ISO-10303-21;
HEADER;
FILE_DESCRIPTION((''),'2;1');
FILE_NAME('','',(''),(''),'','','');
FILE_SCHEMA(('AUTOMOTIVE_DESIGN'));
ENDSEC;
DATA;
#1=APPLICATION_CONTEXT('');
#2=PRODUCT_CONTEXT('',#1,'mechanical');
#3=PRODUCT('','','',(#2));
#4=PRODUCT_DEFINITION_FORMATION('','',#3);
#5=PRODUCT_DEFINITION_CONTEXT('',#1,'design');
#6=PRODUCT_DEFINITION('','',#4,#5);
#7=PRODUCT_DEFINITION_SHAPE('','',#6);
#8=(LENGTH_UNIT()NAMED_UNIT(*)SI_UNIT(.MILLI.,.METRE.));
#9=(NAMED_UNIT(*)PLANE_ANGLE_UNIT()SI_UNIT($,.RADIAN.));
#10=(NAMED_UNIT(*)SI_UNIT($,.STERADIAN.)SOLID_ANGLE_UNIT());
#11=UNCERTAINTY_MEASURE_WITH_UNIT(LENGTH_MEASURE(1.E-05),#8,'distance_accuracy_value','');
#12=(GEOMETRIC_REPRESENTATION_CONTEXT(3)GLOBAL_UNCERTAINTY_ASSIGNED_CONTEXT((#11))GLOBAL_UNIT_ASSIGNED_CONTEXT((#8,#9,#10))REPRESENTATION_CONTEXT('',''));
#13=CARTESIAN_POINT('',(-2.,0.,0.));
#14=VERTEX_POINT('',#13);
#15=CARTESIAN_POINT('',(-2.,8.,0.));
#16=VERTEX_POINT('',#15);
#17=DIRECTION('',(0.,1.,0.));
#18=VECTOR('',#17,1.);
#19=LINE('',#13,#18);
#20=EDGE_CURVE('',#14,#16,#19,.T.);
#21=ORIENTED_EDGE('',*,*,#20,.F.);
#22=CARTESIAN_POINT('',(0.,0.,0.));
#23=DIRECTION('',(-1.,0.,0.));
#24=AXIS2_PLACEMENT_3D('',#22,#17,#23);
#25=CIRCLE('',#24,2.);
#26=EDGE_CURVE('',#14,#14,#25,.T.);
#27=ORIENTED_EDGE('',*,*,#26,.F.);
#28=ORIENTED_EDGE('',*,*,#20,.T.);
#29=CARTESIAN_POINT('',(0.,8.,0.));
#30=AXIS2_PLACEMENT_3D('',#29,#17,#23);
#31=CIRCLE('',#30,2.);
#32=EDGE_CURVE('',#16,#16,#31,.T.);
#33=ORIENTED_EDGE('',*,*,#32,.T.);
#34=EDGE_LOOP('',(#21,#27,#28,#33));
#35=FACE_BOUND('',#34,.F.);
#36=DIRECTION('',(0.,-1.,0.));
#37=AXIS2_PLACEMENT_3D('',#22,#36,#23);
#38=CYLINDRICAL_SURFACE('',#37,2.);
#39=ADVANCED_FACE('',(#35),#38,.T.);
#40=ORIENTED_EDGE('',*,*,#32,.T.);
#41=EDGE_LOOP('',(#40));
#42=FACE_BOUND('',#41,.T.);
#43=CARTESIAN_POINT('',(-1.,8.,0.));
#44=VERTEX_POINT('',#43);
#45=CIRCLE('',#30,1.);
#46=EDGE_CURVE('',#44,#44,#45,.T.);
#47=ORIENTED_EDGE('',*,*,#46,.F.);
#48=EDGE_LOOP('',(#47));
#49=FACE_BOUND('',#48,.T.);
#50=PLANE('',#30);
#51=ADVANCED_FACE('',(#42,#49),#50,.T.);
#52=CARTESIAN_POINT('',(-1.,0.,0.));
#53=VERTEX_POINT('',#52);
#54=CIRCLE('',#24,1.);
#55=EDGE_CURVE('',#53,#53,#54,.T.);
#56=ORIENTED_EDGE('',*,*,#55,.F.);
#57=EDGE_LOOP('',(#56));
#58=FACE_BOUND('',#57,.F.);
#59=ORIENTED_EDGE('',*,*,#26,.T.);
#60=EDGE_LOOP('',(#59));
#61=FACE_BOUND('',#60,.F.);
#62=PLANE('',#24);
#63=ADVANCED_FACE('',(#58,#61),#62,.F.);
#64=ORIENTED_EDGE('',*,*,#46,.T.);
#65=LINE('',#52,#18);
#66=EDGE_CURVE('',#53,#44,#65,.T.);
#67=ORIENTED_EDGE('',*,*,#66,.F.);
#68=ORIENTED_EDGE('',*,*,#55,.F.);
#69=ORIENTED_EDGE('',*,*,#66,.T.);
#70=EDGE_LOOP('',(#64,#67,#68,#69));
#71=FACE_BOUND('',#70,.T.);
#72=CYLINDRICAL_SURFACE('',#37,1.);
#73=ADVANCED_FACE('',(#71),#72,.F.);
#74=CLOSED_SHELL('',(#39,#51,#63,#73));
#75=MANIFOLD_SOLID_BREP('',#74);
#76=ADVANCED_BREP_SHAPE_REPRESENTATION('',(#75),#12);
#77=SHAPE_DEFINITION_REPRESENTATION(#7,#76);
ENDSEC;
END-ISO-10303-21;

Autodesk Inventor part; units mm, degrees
ref_plane "YZ Plane" through (0, 0, 0) normal (1, 0, 0) x (0, 1, 0)
ref_plane "XZ Plane" through (0, 0, 0) normal (0, 1, 0) x (-1, 0, 0)
ref_plane "XY Plane" through (0, 0, 0) normal (0, 0, 1) x (1, 0, 0)
sketch "スケッチ1" plane through (0, 0, 0) normal (0, 1, 0) x (-1, 0, 0)
  circle A0 centre (0, 0) radius 2
  circle A1 centre (0, 0) radius 1
  dimension "d0" = 2
  dimension "d1" = 4
extrude "押し出し1" add sketch "スケッチ1" along normal blind 8
properties part number "Spacer_M2x8"
